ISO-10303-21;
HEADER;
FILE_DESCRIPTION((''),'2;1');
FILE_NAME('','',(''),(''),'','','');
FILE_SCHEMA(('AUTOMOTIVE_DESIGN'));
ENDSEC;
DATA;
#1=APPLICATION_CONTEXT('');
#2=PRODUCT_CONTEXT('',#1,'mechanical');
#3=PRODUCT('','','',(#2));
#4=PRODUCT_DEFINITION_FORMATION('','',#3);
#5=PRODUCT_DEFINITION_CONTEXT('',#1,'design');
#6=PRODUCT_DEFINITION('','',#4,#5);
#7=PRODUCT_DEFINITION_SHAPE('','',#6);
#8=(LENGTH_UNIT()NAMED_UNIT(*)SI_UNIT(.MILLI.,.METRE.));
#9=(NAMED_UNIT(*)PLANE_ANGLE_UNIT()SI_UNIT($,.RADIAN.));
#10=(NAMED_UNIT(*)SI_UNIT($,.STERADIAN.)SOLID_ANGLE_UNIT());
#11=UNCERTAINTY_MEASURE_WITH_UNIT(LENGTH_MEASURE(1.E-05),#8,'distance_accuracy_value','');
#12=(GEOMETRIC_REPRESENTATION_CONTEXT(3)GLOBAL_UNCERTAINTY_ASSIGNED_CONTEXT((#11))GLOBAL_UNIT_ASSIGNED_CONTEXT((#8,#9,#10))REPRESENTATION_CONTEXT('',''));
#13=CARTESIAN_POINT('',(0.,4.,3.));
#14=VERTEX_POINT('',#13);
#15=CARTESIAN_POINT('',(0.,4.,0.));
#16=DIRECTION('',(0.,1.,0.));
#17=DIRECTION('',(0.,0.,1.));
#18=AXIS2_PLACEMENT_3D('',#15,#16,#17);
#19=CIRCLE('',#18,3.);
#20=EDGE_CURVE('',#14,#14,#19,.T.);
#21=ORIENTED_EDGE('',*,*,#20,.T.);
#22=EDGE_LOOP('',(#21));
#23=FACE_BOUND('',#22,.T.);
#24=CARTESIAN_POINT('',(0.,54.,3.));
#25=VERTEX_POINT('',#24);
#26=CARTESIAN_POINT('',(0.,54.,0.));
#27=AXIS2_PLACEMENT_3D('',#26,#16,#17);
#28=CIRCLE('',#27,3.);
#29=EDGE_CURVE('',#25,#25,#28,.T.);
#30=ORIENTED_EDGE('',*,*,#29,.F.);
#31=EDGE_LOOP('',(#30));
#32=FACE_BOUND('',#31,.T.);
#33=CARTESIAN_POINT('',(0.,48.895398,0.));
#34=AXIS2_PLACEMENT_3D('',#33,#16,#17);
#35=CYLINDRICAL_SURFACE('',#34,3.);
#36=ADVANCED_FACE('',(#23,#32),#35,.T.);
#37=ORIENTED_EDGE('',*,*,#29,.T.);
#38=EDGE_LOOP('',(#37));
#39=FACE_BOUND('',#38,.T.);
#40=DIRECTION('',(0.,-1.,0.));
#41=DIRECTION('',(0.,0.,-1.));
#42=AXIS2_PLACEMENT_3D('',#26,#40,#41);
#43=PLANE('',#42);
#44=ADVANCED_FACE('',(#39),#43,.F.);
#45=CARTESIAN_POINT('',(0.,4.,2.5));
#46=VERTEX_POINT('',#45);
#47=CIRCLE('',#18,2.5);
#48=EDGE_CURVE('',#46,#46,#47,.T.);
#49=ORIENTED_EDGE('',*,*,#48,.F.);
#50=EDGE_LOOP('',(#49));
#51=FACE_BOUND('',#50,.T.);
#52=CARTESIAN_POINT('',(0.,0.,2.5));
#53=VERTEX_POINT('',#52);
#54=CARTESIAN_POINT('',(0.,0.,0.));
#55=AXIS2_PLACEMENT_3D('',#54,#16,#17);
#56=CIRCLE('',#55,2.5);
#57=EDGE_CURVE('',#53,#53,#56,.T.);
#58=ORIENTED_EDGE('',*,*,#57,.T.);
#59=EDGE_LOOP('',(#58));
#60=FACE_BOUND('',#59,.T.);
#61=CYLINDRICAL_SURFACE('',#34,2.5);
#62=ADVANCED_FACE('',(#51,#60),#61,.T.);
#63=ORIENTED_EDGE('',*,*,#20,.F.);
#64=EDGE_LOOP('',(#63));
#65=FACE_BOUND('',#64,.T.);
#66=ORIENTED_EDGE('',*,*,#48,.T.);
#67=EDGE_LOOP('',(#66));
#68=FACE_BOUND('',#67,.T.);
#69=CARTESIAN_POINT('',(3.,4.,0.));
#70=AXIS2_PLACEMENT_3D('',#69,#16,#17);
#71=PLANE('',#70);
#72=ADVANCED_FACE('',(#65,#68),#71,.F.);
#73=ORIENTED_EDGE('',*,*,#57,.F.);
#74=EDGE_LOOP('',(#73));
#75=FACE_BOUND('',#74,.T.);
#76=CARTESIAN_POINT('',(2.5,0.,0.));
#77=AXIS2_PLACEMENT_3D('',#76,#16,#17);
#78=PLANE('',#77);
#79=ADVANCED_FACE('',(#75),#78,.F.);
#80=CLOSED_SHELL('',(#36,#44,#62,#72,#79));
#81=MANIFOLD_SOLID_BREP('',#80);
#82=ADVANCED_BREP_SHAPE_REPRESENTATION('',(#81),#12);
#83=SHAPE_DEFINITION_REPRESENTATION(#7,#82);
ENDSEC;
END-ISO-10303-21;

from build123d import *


with BuildPart() as part:
    # Sketch1 → Revolve1 (revolve)
    with BuildSketch(Plane.XY):
        Polygon((0, 54), (3, 54), (3, 4), (2.5, 4), (2.5, 0), (0, 0), align=None)
    revolve(axis=Axis((0, 48.895398485, 0), (0, -1, 0)))


solid = part.part
